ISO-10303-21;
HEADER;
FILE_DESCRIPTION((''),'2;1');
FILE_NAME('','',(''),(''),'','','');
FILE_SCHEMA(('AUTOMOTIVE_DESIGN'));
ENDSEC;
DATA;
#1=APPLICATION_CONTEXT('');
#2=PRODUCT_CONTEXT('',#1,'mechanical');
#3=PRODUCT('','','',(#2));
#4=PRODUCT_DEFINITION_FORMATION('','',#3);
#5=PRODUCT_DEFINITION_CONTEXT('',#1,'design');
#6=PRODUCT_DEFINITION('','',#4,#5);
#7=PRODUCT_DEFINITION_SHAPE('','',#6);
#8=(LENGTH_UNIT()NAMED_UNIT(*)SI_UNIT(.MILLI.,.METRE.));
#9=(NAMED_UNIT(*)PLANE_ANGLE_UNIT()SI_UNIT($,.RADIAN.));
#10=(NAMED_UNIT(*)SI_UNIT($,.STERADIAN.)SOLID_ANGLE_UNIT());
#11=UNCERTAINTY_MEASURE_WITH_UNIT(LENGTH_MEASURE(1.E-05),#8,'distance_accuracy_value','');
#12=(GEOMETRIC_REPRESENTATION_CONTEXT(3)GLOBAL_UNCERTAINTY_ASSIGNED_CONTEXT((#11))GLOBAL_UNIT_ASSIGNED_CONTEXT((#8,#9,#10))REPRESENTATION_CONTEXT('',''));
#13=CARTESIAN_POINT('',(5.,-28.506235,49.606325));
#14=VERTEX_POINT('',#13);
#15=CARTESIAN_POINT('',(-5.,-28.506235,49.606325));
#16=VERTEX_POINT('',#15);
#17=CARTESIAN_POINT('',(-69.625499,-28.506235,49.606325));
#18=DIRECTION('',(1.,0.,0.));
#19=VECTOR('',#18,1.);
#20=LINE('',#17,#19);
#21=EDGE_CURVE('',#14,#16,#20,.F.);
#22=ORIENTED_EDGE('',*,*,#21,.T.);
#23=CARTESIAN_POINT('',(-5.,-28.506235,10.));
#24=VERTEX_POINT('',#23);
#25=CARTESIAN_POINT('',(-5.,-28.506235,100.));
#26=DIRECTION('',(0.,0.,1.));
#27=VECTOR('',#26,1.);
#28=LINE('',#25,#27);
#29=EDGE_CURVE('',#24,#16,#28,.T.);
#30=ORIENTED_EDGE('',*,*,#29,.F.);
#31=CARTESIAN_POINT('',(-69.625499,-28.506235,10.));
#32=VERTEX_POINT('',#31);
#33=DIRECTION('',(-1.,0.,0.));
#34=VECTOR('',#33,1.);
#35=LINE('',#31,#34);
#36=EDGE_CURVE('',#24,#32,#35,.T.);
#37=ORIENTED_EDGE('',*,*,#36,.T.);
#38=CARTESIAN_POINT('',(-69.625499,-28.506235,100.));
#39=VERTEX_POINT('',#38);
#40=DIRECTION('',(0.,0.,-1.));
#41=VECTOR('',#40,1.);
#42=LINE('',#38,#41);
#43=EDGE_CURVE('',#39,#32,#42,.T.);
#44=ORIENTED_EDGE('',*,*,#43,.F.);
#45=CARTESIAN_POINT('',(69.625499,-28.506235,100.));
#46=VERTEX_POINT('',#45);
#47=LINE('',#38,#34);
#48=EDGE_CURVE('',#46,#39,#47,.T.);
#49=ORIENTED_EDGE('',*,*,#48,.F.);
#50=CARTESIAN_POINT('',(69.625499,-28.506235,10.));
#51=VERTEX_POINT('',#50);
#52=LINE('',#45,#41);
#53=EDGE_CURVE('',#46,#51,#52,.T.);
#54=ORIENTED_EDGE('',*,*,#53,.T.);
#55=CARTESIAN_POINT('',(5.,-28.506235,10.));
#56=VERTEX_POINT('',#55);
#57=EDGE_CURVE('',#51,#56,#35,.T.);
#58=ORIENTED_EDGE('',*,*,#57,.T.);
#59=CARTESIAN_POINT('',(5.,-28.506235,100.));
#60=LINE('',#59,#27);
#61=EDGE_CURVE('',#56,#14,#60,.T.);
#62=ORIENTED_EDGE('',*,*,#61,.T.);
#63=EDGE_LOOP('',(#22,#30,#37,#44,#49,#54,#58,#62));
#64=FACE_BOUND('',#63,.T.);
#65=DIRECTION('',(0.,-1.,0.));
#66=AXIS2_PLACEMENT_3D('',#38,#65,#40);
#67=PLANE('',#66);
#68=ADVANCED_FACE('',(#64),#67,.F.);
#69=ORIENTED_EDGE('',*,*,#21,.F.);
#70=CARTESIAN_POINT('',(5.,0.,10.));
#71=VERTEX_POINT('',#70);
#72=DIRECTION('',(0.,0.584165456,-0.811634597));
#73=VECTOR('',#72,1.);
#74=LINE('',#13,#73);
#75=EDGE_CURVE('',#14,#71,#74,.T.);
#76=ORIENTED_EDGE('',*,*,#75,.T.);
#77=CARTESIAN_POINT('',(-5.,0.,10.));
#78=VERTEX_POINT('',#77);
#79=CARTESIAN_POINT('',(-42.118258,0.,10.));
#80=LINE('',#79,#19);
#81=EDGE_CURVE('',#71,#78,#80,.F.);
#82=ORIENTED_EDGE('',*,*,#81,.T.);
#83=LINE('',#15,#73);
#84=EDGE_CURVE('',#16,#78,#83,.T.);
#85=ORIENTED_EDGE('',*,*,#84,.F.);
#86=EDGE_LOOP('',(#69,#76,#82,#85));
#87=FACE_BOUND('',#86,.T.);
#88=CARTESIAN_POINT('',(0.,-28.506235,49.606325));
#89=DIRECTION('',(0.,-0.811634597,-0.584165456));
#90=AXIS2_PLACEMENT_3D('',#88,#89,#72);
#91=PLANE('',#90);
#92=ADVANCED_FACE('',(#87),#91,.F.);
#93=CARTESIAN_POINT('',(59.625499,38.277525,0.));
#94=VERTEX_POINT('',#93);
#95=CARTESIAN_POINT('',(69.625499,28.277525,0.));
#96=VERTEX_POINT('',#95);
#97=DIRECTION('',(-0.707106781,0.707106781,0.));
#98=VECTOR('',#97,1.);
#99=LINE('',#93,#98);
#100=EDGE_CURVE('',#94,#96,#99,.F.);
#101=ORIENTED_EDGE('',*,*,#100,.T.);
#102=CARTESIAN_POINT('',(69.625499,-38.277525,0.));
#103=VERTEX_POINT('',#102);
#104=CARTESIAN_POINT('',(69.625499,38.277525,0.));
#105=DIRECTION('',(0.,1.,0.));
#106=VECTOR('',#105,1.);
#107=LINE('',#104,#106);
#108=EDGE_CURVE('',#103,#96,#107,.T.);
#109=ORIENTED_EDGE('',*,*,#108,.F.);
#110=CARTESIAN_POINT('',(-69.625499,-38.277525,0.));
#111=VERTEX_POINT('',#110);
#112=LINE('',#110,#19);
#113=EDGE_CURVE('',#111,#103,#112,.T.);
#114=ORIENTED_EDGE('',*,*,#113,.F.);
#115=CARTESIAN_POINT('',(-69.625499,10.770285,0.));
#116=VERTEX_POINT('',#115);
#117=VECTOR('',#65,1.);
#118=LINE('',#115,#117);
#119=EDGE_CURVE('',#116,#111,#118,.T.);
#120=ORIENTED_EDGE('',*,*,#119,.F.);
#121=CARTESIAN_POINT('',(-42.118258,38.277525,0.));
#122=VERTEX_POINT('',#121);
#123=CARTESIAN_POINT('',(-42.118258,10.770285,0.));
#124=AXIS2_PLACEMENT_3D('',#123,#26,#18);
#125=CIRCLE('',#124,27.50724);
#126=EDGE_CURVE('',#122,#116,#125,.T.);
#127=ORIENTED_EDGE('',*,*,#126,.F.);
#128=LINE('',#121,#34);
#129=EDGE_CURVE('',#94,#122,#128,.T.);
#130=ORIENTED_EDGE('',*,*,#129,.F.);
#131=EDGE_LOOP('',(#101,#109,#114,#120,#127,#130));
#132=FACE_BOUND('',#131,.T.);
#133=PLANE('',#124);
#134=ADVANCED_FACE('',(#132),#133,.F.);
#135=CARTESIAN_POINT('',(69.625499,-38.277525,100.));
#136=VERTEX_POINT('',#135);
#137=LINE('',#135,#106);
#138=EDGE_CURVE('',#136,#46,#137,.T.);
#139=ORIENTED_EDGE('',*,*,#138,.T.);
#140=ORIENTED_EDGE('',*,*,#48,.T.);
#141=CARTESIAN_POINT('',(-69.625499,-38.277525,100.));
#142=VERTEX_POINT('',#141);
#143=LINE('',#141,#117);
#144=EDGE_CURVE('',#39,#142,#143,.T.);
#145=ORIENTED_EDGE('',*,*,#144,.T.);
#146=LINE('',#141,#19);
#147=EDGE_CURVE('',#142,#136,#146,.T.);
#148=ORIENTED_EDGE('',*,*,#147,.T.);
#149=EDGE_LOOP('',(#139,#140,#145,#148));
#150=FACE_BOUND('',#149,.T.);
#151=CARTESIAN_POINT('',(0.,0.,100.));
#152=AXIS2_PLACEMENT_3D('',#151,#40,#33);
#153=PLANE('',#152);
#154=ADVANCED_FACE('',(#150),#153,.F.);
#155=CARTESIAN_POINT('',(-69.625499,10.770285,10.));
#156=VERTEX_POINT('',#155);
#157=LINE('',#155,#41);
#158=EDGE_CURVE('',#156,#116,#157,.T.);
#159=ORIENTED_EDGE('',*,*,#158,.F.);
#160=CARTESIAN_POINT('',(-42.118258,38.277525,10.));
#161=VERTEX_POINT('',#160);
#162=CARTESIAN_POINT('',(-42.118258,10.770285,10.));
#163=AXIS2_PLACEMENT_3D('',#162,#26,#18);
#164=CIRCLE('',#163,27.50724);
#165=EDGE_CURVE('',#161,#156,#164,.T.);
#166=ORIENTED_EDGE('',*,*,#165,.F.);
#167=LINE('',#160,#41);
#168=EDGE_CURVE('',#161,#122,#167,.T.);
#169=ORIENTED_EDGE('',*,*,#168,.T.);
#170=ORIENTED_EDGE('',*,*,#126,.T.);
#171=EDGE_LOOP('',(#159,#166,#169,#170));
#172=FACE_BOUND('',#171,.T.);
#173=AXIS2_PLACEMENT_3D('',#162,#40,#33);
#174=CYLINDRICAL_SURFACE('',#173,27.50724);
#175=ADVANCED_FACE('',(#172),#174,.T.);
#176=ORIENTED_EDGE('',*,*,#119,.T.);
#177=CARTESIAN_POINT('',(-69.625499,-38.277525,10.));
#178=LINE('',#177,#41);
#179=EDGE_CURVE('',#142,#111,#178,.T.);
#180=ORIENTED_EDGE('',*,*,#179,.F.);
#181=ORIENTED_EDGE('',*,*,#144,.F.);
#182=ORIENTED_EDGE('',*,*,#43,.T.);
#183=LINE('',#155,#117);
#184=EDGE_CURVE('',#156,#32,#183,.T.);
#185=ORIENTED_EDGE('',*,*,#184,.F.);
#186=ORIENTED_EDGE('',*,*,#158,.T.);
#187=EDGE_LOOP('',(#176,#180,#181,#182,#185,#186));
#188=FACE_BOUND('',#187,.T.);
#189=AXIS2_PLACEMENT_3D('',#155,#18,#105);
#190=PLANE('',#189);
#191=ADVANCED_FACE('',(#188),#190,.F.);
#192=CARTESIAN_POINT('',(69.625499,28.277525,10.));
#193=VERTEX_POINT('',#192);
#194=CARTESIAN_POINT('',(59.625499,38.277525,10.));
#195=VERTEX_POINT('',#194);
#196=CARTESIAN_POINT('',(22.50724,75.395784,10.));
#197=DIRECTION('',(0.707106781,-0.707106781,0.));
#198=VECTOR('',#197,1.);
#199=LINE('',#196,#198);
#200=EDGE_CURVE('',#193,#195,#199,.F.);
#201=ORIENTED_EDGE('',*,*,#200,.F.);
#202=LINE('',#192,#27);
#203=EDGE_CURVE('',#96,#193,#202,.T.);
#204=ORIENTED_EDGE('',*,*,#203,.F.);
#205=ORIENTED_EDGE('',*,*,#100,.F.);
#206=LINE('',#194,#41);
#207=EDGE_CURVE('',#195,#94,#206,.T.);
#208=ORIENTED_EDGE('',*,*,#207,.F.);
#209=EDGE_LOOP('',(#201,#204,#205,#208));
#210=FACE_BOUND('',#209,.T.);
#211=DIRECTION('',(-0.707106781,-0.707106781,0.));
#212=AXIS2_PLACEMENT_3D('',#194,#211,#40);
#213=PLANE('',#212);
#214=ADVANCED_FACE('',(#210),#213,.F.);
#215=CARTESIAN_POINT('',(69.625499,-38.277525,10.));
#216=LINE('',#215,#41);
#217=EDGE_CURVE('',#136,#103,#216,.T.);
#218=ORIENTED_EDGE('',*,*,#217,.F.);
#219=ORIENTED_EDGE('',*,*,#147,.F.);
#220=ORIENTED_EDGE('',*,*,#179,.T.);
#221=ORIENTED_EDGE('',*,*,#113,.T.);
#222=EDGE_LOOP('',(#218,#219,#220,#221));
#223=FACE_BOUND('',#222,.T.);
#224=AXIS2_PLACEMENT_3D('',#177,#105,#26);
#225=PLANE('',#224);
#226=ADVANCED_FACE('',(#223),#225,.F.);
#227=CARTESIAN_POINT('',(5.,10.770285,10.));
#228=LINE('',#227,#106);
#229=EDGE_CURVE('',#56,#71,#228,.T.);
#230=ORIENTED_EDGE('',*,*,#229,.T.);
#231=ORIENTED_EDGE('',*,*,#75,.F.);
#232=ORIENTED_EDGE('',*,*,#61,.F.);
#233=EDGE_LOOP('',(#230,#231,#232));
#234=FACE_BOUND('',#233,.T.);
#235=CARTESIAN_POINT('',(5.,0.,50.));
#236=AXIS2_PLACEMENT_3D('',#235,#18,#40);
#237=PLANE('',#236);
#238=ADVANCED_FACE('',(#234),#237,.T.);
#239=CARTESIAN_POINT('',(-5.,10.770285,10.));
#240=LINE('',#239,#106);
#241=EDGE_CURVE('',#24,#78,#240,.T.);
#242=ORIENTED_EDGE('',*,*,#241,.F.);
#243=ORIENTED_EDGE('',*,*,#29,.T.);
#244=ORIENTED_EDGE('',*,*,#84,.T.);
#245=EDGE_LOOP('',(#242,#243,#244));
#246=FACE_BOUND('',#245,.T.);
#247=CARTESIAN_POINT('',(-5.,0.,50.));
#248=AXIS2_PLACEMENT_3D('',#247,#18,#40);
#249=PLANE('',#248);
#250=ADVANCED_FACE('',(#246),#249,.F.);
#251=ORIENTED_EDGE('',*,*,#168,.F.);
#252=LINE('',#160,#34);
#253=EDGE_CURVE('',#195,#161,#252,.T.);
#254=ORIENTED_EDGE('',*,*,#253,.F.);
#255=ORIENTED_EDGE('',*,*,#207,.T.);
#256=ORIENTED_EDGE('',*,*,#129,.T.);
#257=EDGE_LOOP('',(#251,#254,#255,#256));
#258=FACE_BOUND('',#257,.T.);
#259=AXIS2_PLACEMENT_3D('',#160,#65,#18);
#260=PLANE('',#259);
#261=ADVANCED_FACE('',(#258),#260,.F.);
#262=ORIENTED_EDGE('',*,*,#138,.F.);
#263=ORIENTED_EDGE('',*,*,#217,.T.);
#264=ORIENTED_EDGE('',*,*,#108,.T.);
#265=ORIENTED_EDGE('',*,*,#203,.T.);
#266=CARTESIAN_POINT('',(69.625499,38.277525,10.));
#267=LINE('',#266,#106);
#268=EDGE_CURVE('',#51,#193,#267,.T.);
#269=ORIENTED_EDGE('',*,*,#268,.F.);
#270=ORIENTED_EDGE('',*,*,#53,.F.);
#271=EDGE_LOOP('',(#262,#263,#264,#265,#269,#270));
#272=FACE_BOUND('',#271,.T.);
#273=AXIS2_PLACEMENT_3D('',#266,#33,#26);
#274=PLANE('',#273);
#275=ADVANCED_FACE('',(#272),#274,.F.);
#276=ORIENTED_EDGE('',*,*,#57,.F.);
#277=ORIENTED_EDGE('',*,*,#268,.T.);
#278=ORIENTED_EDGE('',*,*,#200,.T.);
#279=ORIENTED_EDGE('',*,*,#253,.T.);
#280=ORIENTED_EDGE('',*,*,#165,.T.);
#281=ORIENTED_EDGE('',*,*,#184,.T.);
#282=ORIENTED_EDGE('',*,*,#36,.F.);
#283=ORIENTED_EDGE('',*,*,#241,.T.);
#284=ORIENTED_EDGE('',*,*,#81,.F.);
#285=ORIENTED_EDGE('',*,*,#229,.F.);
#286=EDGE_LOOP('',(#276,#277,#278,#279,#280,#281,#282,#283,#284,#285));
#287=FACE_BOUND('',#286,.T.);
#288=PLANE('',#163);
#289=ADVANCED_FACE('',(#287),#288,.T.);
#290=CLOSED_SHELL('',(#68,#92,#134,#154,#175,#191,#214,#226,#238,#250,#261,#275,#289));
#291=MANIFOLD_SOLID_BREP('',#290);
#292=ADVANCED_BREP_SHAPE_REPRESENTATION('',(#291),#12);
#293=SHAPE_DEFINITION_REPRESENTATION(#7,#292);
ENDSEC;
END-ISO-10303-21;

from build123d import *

# Parameters (mm, degrees)
BOSS_EXTRUDE1_DEPTH = 10
CHAMFER1_SIZE       = 10
SKETCH2_W           = 139.250997166
SKETCH2_H           = 9.771290108
BOSS_EXTRUDE2_DEPTH = 90
RIB1_REACH          = 129.722
SKETCH3_WALL_W      = 306.241984106
SKETCH3_WALL_H      = 10


with BuildPart() as part:
    # Sketch1 → Boss-Extrude1 (new body)
    with BuildSketch(Plane.XY):
        with BuildLine():
            Line((-42.118258456, 38.277525287), (69.625498583, 38.277525287))
            Line((69.625498583, 38.277525287), (69.625498583, -38.277525287))
            Line((69.625498583, -38.277525287), (-69.625498583, -38.277525287))
            Line((-69.625498583, -38.277525287), (-69.625498583, 10.77028516))
            ThreePointArc((-69.625498583, 10.77028516), (-61.568814481, 30.220841186), (-42.118258456, 38.277525287))
        make_face()
    extrude(amount=BOSS_EXTRUDE1_DEPTH)

    # Chamfer1
    chamfer1_edges = [part.edges().sort_by_distance(p)[0] for p in [
        (69.625498583, 38.277525287, 5),
    ]]
    chamfer(chamfer1_edges, length=CHAMFER1_SIZE)

    # Sketch2 → Boss-Extrude2 (add)
    with BuildSketch(Plane.XY.offset(10)):
        with Locations((0, -33.391880233)):
            Rectangle(SKETCH2_W, SKETCH2_H)
    extrude(amount=BOSS_EXTRUDE2_DEPTH)

    # Sketch3 wall → Rib1 (add, up to next)
    with BuildSketch(Plane(origin=(0, -14.25311759, 29.803162332), x_dir=(0, 0.584165456178, -0.811634597469), z_dir=(0, 0.811634597469, 0.584165456178)), mode=Mode.PRIVATE) as rib1_sk1:
        Rectangle(SKETCH3_WALL_W, SKETCH3_WALL_H)
    rib1_tool1 = extrude(rib1_sk1.sketch, amount=-RIB1_REACH, mode=Mode.PRIVATE) - part.part
    add(rib1_tool1.solids().sort_by_distance((0, -14.25311759, 29.803162332))[0])


solid = part.part
